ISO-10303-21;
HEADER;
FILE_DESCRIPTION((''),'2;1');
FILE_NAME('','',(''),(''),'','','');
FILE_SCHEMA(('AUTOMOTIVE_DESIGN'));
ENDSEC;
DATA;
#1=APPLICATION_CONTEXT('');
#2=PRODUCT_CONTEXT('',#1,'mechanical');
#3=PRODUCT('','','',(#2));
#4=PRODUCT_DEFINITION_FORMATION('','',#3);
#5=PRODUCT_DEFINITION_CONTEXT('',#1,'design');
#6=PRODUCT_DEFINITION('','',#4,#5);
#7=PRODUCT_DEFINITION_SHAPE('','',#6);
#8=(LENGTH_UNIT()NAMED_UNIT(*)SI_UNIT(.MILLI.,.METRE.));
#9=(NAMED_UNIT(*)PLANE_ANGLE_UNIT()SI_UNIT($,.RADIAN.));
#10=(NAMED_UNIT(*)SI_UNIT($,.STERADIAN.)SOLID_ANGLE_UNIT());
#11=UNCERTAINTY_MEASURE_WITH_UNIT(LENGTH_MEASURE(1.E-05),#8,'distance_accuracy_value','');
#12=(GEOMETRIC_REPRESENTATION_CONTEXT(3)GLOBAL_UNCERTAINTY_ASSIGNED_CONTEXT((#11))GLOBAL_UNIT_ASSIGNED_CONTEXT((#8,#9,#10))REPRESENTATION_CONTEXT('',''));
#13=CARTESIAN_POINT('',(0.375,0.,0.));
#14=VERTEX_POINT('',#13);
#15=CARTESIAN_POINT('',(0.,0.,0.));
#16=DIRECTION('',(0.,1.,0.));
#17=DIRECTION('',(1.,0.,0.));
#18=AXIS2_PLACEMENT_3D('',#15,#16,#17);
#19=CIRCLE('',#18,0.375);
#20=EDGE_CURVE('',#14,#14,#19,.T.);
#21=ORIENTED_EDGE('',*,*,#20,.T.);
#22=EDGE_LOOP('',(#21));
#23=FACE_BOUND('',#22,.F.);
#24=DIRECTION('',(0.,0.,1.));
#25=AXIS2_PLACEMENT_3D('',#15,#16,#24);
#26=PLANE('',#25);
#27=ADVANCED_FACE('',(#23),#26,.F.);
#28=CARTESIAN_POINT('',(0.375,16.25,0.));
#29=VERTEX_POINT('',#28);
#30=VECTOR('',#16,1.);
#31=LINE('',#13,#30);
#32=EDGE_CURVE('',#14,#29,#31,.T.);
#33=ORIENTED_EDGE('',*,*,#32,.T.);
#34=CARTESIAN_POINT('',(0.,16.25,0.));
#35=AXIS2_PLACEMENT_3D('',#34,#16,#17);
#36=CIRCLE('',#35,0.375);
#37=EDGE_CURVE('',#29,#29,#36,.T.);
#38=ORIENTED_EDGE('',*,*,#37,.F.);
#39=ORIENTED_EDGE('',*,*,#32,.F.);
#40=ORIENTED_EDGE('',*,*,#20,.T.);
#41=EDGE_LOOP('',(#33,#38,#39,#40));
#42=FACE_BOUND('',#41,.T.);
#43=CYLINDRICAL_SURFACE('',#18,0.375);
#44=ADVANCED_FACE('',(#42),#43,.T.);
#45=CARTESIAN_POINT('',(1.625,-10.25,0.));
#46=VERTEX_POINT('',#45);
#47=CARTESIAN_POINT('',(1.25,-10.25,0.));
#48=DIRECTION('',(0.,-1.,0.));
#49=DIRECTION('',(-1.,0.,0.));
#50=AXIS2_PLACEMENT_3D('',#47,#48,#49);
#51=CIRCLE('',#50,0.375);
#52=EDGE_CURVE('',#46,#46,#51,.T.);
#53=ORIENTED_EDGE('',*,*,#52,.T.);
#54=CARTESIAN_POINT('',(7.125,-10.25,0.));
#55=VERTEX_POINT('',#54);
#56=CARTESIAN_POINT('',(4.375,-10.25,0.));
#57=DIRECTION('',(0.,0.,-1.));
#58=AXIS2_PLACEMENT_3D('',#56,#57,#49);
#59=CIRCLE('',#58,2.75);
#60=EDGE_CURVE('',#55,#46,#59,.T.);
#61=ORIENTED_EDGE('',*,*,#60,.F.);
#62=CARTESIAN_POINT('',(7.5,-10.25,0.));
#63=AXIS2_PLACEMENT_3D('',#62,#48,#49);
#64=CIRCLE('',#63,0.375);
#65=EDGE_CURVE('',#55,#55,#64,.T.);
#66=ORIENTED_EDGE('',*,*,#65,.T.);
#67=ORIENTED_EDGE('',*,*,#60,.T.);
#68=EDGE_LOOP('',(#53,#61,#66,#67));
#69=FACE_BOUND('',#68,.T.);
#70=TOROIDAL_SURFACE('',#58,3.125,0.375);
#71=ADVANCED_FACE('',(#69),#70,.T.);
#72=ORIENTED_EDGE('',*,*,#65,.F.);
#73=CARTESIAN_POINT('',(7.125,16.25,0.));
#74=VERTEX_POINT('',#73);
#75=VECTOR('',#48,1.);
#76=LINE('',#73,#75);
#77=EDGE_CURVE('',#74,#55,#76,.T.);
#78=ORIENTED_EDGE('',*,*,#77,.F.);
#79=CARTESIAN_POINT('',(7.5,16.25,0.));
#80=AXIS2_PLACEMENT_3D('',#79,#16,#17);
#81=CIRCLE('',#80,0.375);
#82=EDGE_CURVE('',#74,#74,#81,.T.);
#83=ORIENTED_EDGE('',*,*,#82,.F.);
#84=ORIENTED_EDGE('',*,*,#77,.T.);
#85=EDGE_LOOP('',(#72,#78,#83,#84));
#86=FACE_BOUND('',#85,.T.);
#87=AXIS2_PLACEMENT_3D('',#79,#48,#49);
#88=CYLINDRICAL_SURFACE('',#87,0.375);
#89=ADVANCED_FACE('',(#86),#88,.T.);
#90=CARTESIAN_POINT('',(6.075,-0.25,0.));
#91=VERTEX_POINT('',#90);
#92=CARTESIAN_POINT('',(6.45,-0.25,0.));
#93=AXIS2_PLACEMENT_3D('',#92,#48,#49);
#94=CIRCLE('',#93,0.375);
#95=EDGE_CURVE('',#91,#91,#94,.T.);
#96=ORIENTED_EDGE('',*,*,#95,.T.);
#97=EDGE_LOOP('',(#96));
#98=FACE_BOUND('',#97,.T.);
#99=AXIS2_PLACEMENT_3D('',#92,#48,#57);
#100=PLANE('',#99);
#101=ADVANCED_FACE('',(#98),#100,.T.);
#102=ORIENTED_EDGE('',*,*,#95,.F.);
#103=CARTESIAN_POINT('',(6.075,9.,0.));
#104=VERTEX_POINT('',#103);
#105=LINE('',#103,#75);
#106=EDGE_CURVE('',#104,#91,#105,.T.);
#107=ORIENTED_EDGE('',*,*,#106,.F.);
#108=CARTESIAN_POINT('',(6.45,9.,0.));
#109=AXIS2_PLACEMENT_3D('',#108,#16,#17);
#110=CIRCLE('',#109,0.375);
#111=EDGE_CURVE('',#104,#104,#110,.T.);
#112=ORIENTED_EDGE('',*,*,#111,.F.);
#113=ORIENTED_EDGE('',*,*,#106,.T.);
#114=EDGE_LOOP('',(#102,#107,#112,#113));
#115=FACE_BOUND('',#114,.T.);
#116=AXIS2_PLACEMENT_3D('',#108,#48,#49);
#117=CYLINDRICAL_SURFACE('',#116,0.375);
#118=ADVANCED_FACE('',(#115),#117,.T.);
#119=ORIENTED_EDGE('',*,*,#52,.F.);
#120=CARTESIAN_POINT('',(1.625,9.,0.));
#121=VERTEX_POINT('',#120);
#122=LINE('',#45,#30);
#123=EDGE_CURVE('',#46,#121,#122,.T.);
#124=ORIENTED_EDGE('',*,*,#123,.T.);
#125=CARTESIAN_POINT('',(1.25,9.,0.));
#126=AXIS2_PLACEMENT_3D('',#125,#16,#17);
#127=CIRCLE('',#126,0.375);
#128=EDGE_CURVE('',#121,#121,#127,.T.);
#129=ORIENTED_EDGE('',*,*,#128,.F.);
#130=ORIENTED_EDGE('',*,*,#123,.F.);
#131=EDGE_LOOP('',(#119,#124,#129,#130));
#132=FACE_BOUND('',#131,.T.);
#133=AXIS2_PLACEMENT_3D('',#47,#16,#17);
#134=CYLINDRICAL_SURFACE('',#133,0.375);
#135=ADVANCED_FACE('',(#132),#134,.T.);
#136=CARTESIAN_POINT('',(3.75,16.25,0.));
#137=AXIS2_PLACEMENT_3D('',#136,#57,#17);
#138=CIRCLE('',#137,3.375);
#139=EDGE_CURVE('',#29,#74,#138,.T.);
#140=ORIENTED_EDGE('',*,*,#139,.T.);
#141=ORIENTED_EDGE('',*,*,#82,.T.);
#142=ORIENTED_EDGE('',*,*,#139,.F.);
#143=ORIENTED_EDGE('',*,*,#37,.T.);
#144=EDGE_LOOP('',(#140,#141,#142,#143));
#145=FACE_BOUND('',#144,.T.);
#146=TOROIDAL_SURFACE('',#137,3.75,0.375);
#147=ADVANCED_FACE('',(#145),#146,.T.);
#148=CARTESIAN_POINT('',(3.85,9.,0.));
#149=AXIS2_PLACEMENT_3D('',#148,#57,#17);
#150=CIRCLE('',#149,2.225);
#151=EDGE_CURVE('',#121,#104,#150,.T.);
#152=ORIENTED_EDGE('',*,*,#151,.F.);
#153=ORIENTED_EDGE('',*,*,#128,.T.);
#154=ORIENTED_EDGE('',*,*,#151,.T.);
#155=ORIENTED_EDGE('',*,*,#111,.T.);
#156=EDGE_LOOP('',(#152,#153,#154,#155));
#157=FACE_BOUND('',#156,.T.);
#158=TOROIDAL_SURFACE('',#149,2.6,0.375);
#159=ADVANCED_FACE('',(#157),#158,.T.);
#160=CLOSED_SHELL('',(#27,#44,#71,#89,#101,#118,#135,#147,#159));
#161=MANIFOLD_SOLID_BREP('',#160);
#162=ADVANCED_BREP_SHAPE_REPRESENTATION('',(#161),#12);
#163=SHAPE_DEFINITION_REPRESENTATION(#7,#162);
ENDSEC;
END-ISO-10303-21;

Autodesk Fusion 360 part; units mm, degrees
sketch "Paper clip path" plane through (0, 0, 0) normal (0, 0, 1) x (1, 0, 0)
  line L0 (0, 0) -> (0, 16.25)
  line L1 (0, 16.25) -> (7.5, 16.25)
  line L2 (7.5, 16.25) -> (7.5, -10.25)
  line L3 (7.5, -10.25) -> (1.25, -10.25)
  line L4 (1.25, -10.25) -> (1.25, 9)
  line L5 (1.25, 9) -> (6.45, 9)
  line L6 (6.45, 9) -> (6.45, -0.25)
  arc A0 (7.5, 16.25) -> (0, 16.25) centre (3.75, 16.25) ccw
  arc A1 (6.45, 9) -> (1.25, 9) centre (3.85, 9) ccw
  arc A2 (1.25, -10.25) -> (7.5, -10.25) centre (4.375, -10.25) ccw
  dimension "d1" = 16.25
  dimension "d2" = 7.5
  dimension "d3" = 26.5
  dimension "d4" = 6.25
  dimension "d5" = 19.25
  dimension "d6" = 5.2
  dimension "d7" = 9.25
sketch "hole" plane through (0, 0, 0) normal (0, 1, 0) x (1, 0, 0)
  circle A0 centre (0, 0) radius 0.375
  dimension "d8" = 0.75
sweep "Sweep1" add profiles "hole" path "Paper clip path" along L0 A0 L2 A2 L4 A1 L6 section 1
